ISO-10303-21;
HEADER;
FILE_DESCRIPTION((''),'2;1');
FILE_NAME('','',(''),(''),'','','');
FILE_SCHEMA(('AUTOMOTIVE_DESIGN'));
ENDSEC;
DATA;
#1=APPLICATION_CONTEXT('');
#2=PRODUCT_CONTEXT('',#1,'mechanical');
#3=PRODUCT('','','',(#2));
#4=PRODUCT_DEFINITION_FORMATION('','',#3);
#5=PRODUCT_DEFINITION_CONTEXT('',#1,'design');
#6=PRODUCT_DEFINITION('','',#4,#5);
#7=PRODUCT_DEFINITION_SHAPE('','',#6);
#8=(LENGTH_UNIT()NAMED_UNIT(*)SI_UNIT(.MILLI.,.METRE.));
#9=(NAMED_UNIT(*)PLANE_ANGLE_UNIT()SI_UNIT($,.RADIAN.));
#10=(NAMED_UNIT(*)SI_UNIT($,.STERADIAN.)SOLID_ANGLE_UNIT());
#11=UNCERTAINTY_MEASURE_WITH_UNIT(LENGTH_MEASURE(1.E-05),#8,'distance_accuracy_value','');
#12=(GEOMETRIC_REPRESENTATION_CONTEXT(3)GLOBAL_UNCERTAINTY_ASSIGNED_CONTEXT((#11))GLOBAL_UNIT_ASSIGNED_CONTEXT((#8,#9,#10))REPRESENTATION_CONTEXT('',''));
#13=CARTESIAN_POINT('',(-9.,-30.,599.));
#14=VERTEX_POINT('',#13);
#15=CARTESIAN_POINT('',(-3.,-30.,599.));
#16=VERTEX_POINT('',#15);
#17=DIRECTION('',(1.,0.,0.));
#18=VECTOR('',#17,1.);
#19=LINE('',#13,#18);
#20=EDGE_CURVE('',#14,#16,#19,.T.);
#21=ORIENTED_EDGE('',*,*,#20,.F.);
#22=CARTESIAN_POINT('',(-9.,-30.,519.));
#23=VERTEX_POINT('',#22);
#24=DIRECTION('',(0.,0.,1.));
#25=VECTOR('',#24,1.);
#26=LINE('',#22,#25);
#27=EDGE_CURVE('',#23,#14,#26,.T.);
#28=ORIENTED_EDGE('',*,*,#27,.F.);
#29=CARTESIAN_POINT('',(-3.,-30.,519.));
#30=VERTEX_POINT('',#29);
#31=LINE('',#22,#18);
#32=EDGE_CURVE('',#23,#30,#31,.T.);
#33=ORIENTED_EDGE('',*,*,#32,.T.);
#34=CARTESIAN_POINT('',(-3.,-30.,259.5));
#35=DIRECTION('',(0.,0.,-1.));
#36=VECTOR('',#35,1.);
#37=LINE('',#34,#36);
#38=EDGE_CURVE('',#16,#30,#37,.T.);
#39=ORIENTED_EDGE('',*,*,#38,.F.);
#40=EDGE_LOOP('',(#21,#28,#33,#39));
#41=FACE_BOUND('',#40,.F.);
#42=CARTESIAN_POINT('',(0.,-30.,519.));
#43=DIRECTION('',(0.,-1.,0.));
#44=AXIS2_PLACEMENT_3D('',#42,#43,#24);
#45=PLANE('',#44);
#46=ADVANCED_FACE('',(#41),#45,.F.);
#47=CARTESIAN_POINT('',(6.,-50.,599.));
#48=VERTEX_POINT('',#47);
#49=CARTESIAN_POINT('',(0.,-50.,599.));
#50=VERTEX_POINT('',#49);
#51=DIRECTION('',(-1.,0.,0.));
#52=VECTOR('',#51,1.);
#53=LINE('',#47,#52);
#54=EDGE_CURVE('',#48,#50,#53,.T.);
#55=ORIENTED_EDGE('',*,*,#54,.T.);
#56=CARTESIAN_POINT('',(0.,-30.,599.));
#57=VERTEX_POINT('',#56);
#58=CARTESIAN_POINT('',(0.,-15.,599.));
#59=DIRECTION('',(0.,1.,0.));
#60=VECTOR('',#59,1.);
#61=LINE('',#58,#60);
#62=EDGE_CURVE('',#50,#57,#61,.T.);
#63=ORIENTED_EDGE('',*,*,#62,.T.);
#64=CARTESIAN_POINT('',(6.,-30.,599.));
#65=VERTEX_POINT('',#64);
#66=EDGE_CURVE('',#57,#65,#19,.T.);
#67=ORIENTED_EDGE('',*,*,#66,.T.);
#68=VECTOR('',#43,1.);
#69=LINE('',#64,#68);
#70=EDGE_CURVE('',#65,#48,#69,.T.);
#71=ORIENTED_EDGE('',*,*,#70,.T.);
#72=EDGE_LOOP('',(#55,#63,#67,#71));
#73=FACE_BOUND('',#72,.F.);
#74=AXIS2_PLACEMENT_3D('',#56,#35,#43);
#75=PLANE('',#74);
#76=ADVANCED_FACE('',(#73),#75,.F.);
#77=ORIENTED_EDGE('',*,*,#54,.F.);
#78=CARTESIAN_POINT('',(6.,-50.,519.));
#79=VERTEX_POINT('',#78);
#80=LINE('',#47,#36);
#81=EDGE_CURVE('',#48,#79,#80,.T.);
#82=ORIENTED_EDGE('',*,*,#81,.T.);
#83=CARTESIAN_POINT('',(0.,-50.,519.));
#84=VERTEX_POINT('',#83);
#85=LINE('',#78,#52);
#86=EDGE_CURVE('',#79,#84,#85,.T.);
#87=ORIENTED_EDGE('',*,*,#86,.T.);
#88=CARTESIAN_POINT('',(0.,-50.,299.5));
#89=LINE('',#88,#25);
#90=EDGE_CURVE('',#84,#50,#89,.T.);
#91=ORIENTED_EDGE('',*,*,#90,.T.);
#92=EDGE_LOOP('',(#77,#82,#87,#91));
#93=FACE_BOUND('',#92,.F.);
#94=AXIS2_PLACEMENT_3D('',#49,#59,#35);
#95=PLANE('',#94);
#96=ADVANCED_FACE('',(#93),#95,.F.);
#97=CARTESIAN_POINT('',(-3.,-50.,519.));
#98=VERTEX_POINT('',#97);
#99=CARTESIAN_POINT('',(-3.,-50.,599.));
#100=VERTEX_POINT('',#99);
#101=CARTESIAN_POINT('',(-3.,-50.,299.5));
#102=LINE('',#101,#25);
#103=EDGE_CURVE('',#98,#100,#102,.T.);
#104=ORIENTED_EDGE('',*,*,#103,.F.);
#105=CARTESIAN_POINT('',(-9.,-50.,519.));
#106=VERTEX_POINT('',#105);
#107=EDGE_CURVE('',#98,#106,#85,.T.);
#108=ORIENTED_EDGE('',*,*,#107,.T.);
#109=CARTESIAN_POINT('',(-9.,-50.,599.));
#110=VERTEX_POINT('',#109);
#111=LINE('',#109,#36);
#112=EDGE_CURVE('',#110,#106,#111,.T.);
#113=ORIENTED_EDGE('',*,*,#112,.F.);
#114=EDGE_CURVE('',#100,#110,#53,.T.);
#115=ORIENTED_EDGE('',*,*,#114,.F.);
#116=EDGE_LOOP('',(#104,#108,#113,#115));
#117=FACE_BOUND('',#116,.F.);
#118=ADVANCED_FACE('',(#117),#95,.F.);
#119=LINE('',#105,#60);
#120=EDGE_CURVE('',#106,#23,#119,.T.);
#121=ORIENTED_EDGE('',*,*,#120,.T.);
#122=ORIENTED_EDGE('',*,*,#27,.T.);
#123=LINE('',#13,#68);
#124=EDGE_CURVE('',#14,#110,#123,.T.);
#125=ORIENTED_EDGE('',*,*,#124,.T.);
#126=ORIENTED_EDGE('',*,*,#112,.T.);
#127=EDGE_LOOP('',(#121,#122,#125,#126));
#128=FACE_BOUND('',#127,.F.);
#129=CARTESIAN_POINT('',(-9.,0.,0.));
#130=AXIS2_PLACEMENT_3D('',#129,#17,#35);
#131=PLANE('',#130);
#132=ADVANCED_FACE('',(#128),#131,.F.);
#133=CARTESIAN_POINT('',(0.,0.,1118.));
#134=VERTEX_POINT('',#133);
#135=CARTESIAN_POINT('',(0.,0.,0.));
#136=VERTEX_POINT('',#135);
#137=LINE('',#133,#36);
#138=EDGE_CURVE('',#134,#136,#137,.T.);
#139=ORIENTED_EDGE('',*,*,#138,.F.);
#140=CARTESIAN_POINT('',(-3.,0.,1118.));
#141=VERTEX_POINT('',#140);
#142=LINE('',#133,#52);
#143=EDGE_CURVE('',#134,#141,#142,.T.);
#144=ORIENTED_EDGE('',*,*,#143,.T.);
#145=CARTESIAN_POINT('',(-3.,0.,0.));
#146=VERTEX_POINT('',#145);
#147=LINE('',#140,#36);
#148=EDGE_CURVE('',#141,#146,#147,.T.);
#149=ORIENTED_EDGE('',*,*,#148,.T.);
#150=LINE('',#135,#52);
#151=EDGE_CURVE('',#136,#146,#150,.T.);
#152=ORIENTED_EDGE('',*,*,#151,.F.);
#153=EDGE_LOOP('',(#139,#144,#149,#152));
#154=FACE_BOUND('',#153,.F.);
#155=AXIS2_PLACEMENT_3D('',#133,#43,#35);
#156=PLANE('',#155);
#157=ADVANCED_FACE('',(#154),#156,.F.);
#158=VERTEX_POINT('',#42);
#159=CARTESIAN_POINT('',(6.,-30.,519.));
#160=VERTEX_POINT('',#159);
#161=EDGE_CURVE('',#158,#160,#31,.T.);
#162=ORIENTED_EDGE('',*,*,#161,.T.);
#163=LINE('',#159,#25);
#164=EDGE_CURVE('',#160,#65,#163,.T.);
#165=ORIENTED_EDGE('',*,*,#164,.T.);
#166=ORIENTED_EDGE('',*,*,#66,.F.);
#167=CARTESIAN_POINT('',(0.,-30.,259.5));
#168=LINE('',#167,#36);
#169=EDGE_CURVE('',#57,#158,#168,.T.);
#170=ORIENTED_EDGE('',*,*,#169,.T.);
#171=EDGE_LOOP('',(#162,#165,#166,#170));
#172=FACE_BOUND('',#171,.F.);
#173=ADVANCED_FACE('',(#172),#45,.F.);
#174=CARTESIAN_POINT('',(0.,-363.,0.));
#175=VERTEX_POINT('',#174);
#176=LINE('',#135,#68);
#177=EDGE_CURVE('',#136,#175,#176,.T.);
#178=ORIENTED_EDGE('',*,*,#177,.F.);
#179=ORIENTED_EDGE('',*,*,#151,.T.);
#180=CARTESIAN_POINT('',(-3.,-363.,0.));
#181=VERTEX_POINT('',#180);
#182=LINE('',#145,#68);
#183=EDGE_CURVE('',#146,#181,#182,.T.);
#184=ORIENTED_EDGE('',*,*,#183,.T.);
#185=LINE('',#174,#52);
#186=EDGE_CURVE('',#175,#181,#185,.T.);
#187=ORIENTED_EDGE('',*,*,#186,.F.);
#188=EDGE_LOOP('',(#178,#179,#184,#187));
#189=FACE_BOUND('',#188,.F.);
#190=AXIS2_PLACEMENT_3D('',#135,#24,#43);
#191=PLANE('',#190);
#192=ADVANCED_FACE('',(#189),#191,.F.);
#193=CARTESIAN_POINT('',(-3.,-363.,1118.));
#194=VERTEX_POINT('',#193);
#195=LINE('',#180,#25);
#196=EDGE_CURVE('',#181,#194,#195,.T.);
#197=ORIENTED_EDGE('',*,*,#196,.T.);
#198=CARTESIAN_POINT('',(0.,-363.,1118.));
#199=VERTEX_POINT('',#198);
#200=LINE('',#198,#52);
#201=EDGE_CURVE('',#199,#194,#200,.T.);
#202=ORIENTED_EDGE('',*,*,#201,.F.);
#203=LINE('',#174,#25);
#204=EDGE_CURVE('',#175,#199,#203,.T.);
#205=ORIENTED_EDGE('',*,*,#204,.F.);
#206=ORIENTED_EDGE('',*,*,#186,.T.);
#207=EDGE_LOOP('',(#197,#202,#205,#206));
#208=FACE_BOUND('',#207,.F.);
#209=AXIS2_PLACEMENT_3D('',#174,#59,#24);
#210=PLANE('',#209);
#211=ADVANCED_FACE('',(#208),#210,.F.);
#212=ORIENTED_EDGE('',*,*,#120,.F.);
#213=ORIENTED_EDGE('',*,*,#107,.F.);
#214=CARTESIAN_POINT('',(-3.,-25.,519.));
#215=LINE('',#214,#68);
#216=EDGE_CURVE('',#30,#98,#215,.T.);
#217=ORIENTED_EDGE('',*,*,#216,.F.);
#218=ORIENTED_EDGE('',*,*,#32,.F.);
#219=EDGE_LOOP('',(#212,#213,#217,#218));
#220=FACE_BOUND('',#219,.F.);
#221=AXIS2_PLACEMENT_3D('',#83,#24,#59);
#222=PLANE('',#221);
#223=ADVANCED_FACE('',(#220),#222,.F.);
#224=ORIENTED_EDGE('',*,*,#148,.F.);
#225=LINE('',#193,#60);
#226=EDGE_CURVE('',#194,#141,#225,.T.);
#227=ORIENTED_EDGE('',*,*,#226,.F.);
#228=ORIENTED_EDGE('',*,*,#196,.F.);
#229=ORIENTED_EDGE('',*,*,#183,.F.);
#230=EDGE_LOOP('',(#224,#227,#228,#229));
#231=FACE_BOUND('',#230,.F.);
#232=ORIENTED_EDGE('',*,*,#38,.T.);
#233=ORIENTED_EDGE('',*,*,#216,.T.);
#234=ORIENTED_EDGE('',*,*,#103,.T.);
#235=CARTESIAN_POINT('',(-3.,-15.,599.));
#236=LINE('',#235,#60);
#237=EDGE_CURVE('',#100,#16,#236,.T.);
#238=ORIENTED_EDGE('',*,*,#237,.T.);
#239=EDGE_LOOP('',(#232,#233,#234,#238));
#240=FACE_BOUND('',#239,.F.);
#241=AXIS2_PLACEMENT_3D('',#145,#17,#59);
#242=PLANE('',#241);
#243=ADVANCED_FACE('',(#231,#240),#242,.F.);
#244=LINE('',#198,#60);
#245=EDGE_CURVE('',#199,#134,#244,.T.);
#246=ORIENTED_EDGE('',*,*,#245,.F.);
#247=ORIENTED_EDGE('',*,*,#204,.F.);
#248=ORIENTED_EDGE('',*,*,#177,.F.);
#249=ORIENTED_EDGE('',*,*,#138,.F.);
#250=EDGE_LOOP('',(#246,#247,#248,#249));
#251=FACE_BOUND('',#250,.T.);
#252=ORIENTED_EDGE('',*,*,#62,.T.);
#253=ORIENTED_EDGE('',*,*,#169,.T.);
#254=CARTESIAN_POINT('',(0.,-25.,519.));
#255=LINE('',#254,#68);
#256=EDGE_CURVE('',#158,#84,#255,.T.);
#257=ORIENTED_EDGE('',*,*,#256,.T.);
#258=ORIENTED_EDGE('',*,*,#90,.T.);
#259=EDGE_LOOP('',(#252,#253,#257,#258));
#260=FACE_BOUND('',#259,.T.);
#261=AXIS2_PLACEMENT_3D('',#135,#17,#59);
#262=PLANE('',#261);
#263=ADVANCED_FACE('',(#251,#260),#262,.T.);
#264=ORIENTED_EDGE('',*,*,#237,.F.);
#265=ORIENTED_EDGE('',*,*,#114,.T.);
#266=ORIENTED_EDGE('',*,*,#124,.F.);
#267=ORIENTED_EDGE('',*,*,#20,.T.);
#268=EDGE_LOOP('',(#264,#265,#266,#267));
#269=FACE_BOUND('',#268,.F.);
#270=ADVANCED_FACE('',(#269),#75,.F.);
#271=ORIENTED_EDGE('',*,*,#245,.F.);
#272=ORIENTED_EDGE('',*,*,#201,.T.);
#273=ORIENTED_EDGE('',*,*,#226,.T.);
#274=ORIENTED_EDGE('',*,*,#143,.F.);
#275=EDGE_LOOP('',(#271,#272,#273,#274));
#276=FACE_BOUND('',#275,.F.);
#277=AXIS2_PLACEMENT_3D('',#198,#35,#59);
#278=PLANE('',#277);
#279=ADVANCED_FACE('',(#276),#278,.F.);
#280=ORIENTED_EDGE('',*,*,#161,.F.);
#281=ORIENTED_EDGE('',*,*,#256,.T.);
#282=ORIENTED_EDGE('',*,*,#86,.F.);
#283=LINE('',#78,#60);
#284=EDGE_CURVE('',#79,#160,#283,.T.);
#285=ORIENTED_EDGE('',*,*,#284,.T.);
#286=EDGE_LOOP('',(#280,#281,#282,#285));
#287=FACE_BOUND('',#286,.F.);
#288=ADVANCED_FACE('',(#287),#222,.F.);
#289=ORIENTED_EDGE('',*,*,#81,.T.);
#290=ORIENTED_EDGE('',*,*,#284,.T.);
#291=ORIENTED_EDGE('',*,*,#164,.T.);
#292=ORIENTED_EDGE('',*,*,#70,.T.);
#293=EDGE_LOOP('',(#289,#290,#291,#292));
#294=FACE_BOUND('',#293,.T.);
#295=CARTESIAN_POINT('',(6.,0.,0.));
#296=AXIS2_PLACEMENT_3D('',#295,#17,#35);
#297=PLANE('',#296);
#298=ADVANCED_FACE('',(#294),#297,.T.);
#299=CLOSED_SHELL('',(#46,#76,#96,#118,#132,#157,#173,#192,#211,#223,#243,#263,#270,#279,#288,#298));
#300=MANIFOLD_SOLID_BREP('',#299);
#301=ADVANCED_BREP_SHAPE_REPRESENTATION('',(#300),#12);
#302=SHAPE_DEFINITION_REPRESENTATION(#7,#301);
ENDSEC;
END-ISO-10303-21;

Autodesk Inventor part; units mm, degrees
ref_plane "YZ Plane" through (0, 0, 0) normal (1, 0, 0) x (0, 1, 0)
ref_plane "XZ Plane" through (0, 0, 0) normal (0, 1, 0) x (-1, 0, 0)
ref_plane "XY Plane" through (0, 0, 0) normal (0, 0, 1) x (1, 0, 0)
sketch "Sketch1" plane through (0, 0, 0) normal (1, 0, 0) x (0, 1, 0)
  line L0 (0, 0) -> (-363, 0)
  line L1 (-363, 0) -> (-363, 1118)
  line L2 (-363, 1118) -> (0, 1118)
  line L3 (0, 1118) -> (0, 0)
  dimension "d0" = 363
  dimension "d1" = 1118
extrude "Extrusion1" add sketch "Sketch1" against normal blind 3
sketch "Sketch2" plane through (0, 0, 0) normal (1, 0, 0) x (0, 0, -1)
  line L0 (-1118, 0) -> (-1118, -363) projected
  line L1 (-1118, -363) -> (0, -363) projected
  line L2 (0, -363) -> (0, 0) projected
  line L3 (0, 0) -> (-1118, 0) projected
  line L4 (-1118, 0) -> (0, 0) construction
  line L5 (-559, 0) -> (-559, -40) construction
  line L6 (-519, -30) -> (-599, -30)
  line L7 (-599, -30) -> (-599, -50)
  line L8 (-599, -50) -> (-519, -50)
  line L9 (-519, -50) -> (-519, -30)
  line L10 (-519, -30) -> (-599, -50) construction
  line L11 (-599, -30) -> (-519, -50) construction
  dimension "d4" = 40
  dimension "d5" = 80
  dimension "d6" = 20
extrude "Extrusion2" add sketch "Sketch2" along normal blind 6 and the other way blind 9 contours L9 L8 L7 L6
equation "\"d0\" = portaLargura"
equation "\"portaLargura\" = 363"
properties part number "acrilicoMovel1"
